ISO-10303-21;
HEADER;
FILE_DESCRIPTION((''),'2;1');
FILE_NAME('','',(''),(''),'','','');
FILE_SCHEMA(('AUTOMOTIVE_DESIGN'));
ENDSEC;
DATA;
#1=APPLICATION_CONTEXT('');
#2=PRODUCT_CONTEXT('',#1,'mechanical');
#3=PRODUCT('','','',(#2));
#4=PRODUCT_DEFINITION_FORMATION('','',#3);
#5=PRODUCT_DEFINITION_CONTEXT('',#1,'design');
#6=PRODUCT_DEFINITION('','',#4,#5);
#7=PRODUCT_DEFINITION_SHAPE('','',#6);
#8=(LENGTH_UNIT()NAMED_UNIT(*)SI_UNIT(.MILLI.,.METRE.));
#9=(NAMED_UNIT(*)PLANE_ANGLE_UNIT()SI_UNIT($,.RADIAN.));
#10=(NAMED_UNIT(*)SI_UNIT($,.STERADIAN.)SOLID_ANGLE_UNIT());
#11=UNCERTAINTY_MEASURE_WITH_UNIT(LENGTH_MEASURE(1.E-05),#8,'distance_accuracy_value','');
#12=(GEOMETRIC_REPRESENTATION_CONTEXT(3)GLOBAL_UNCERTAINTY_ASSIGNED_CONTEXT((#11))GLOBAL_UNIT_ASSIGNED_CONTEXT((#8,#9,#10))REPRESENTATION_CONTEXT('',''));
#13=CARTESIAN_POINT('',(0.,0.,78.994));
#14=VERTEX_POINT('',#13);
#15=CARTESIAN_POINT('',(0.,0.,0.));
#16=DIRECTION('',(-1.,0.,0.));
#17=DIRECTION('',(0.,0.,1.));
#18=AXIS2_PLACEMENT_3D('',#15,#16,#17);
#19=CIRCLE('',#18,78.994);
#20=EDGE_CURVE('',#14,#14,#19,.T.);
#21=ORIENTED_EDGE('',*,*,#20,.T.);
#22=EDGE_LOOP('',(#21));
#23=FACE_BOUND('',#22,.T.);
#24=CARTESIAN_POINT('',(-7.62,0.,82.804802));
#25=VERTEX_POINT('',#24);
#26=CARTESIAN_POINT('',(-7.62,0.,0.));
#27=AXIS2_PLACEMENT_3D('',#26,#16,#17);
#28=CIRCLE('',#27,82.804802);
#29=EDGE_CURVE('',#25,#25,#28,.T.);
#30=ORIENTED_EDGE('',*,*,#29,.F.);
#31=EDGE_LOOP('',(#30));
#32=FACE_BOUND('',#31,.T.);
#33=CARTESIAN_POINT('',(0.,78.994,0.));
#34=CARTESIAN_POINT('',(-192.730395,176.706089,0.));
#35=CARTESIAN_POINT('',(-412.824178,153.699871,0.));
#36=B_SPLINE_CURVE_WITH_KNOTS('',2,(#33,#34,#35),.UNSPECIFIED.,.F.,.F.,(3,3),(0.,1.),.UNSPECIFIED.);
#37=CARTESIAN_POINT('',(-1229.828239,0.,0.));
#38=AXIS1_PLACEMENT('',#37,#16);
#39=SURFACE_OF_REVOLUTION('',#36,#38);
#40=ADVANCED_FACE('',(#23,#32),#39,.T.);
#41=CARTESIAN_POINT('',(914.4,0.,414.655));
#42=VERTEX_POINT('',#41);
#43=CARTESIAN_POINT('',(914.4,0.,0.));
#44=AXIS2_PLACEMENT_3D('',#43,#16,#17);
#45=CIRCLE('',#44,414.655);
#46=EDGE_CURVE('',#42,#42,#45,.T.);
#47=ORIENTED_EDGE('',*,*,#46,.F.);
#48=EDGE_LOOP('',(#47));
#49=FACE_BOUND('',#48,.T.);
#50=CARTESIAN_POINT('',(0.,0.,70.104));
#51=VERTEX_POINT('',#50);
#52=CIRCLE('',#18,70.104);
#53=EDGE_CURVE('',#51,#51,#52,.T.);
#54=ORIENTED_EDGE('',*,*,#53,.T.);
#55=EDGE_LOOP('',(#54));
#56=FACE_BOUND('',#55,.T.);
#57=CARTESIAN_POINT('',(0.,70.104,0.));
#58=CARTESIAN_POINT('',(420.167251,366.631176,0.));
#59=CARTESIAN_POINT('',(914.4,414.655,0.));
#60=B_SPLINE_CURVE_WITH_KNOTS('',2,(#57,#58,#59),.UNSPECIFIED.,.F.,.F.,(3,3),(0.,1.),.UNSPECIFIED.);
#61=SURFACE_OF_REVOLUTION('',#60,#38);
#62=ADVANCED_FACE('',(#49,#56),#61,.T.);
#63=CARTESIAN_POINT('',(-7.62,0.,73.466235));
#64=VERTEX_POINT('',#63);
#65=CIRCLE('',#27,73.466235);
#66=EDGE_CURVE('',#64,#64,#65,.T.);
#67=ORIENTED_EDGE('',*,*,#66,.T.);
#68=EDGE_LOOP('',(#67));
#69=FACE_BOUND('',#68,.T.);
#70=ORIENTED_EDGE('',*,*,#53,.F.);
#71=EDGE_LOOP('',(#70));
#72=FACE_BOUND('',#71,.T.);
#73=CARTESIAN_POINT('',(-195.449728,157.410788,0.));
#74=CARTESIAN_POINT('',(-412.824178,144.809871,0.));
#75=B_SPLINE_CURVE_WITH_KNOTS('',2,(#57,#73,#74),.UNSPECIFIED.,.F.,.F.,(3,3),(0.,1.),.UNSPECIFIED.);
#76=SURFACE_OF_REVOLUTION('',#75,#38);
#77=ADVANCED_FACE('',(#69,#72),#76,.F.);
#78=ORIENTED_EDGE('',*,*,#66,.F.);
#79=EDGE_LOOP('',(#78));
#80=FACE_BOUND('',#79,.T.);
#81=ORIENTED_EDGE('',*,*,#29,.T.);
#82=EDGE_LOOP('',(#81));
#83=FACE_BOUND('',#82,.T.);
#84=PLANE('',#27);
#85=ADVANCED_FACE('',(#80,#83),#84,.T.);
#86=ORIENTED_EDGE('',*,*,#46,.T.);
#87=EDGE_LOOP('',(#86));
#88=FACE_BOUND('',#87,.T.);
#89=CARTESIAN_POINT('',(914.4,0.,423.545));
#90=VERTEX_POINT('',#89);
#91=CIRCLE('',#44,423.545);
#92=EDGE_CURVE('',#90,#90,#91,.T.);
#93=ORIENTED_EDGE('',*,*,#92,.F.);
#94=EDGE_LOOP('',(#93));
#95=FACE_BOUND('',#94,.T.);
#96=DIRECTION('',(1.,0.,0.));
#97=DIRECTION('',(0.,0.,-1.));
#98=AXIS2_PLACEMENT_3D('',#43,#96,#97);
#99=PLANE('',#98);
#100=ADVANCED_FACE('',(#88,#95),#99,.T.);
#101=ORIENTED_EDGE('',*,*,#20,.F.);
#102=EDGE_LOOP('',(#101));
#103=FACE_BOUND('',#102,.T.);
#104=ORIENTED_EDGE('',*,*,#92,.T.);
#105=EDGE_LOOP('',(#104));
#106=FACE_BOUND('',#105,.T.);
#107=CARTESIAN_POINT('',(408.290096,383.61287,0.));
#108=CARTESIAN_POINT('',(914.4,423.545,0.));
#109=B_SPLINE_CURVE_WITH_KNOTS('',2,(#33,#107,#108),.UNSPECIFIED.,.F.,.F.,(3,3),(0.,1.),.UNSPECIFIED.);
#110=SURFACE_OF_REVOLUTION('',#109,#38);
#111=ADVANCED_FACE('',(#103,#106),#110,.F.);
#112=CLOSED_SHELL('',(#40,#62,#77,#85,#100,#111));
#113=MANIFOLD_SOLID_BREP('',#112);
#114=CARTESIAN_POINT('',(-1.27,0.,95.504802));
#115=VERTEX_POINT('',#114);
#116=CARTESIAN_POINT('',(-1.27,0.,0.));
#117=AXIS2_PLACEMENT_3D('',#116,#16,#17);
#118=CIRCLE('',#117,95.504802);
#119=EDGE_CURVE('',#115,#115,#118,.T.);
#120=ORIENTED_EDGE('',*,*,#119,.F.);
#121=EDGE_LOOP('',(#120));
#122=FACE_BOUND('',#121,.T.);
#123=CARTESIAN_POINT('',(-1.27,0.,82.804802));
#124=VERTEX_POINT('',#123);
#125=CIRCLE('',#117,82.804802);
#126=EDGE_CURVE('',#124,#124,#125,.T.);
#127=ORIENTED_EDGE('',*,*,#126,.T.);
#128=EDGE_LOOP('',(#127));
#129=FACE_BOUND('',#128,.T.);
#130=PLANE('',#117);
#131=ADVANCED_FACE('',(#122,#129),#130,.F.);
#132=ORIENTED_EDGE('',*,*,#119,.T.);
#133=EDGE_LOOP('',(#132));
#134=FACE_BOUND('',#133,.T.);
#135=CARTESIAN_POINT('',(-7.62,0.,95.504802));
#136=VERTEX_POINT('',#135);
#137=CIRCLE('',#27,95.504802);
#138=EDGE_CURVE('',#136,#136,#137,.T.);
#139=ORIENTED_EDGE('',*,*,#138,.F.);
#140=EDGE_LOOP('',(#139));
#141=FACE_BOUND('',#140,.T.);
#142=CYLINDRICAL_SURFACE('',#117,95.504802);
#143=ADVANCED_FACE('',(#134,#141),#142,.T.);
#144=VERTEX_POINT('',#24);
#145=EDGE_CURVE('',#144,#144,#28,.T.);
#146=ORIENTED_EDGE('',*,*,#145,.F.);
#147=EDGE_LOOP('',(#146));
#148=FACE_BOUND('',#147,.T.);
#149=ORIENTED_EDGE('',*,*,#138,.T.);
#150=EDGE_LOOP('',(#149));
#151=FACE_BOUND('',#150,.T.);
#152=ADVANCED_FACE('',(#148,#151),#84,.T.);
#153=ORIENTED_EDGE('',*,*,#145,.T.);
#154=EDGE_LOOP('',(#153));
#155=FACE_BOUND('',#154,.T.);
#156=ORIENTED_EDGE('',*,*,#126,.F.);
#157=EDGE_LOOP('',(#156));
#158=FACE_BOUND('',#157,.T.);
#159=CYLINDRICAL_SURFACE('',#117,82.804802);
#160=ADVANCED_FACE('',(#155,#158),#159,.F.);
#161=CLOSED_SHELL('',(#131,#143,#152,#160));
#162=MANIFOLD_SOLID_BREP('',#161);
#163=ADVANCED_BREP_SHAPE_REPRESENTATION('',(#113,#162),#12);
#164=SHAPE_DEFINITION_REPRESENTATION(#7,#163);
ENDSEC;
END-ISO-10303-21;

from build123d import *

# Parameters (mm, degrees)
SKETCH4_W           = 2299.140163329
SKETCH4_H           = 1084.867048291
CUT_EXTRUDE1_DEPTH  = 554.228
SKETCH5_R           = 95.504801646
SKETCH5_R_2         = 82.804801646
BOSS_EXTRUDE1_DEPTH = 6.35


with BuildPart() as part:
    # Sketch1 → Revolve3 (revolve)
    with BuildSketch(Plane.XY):
        with BuildLine():
            add(Edge.make_bspline(
                [(0, 78.994), (408.290095894, 383.61287022), (914.4, 423.545)],
                knots=[0, 0, 0, 1, 1, 1], degree=2))
            Line((914.4, 423.545), (914.4, 414.655))
            add(Edge.make_bspline(
                [(0, 70.104), (420.167251453, 366.631175918), (914.4, 414.655)],
                knots=[0, 0, 0, 1, 1, 1], degree=2))
            add(Edge.make_bspline(
                [(0, 70.104), (-195.449728047, 157.410787998), (-412.824178468, 144.809870936)],
                knots=[0, 0, 0, 1, 1, 1], degree=2))
            Line((-412.824178468, 144.809870936), (-412.824178468, 153.699870936))
            add(Edge.make_bspline(
                [(0, 78.994), (-192.730394607, 176.706088879), (-412.824178468, 153.699870936)],
                knots=[0, 0, 0, 1, 1, 1], degree=2))
        make_face()
    revolve(axis=Axis((-1229.828239288, 0, 0), (1, 0, 0)))

    # Sketch4 → Cut-Extrude1 (cut)
    with BuildSketch(Plane.ZY.offset(7.62)):
        with Locations((-63.658537287, 96.480710784)):
            Rectangle(SKETCH4_W, SKETCH4_H)
    extrude(amount=CUT_EXTRUDE1_DEPTH, mode=Mode.SUBTRACT)


with BuildPart() as body_2:
    # Sketch5 → Boss-Extrude1 (new body)
    with BuildSketch(Plane.ZY.offset(7.62)):
        Circle(SKETCH5_R)
        Circle(SKETCH5_R_2, mode=Mode.SUBTRACT)
    extrude(amount=-BOSS_EXTRUDE1_DEPTH)


solid = Compound([part.part, body_2.part])
